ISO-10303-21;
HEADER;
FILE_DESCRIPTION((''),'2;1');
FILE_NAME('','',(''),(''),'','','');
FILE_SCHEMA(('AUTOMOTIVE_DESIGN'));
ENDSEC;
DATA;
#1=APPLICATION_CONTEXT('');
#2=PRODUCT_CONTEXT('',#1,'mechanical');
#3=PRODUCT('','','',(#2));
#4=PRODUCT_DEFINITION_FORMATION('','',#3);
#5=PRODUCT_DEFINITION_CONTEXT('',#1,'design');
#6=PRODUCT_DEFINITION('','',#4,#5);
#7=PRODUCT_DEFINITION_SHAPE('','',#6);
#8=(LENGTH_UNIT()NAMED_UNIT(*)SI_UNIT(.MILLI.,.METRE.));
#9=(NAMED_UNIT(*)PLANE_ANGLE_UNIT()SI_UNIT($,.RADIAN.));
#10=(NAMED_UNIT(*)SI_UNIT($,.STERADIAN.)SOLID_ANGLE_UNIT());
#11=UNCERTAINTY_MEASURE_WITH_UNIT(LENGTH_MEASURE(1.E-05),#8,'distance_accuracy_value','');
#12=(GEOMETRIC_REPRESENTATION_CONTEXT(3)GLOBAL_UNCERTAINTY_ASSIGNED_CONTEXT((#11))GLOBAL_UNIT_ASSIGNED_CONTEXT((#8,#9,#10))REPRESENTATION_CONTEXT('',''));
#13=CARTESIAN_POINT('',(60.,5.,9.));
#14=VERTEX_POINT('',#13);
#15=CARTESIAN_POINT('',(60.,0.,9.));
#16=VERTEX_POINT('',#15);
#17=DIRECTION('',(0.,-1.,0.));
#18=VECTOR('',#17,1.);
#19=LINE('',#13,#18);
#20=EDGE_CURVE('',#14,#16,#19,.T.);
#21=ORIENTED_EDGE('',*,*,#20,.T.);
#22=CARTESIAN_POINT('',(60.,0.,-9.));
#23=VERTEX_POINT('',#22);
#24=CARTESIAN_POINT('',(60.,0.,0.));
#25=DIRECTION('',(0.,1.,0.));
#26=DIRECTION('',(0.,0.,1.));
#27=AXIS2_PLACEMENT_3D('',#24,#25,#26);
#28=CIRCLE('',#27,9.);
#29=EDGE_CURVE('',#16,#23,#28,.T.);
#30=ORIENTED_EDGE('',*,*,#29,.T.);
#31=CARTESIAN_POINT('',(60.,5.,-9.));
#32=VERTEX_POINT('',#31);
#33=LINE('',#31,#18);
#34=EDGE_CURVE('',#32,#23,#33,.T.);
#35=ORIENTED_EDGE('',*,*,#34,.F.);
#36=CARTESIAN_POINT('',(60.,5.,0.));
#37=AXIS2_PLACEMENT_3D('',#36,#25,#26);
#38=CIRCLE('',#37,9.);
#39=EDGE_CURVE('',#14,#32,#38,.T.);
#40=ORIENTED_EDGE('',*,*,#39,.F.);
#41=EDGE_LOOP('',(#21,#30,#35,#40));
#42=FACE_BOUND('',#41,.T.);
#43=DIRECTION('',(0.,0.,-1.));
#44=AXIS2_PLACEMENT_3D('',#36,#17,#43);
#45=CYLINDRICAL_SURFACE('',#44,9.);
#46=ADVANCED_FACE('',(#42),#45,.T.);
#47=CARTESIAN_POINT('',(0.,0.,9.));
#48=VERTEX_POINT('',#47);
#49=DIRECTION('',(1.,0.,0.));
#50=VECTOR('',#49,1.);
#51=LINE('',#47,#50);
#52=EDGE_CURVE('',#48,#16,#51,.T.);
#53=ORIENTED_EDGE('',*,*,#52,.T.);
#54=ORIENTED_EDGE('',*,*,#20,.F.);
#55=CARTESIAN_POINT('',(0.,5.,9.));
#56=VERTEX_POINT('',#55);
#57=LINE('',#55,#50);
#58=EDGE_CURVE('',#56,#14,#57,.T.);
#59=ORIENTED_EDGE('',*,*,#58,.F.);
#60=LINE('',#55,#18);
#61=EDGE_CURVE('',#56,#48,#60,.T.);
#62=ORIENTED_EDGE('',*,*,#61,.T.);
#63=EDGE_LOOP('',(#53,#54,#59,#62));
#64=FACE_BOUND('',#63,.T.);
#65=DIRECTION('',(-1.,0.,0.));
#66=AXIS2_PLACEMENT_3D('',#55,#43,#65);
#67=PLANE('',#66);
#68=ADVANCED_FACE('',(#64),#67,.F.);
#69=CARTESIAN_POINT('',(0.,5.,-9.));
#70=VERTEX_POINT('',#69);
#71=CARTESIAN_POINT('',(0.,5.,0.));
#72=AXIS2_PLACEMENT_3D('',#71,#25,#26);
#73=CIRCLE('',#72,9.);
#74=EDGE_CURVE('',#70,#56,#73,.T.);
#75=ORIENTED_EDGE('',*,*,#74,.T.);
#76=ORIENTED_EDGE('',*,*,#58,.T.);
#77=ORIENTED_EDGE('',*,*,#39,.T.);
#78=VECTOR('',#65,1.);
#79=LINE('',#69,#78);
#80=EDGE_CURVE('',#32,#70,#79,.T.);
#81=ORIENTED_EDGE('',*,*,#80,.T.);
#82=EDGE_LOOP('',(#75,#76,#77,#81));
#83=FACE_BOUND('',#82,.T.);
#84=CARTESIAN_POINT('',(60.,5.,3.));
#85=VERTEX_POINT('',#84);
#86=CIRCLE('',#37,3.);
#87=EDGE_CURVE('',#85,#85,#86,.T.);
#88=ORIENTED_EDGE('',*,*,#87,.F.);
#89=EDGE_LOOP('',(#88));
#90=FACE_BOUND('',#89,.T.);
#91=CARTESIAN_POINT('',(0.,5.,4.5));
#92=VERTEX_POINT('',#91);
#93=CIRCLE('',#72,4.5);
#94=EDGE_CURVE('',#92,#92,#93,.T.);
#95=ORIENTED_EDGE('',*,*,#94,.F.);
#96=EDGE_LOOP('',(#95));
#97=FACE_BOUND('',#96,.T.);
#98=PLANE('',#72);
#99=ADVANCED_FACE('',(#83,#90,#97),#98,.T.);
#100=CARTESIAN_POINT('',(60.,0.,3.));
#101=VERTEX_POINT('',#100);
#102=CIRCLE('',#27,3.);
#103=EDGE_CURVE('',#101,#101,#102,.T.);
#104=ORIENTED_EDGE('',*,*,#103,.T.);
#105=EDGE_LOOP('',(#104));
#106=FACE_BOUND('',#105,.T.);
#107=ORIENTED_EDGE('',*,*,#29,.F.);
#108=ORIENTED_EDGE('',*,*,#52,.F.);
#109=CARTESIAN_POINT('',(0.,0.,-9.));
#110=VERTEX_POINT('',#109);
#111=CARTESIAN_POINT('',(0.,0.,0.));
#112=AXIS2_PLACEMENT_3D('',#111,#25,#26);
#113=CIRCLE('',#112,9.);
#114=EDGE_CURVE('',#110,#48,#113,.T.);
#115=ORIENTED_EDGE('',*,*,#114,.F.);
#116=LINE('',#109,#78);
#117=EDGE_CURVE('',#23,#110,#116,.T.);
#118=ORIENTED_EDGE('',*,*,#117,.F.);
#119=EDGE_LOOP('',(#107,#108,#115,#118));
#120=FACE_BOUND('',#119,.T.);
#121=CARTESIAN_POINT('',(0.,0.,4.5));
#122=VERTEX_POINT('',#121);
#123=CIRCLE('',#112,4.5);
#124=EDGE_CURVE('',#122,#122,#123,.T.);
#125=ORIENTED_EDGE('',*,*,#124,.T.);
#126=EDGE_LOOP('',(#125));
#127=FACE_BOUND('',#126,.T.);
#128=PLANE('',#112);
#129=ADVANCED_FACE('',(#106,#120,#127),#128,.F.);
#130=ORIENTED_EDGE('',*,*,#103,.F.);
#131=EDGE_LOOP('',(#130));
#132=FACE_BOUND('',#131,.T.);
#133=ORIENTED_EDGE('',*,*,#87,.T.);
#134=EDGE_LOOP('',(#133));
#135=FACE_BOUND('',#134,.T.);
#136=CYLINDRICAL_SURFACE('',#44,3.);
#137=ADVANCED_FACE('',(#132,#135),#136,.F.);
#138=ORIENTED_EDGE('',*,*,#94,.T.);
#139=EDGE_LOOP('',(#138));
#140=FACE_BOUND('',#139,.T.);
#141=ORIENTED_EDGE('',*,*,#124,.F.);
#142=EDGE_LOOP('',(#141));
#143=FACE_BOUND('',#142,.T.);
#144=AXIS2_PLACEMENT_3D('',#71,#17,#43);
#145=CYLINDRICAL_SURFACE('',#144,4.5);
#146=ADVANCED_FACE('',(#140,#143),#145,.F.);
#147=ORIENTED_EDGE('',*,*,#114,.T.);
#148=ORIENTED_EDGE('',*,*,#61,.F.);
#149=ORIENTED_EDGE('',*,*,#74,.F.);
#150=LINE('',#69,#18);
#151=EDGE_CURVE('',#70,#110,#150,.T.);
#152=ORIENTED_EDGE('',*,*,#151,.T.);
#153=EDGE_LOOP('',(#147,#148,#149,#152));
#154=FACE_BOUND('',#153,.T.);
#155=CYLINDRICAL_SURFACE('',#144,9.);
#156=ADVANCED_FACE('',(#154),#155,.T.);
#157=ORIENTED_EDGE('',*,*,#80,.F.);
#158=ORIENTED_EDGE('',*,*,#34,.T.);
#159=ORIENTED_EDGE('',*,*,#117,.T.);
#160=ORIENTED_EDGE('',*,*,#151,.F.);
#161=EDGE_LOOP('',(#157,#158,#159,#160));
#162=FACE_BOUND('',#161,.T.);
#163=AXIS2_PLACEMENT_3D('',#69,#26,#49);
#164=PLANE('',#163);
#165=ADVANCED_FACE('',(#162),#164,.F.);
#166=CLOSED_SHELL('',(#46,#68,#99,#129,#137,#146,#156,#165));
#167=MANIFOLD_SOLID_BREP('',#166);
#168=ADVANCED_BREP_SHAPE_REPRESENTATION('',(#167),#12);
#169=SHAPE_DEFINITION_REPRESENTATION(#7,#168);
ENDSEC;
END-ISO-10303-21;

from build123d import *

# Parameters (mm, degrees)
SKETCH1_R           = 4.5
SKETCH1_R_2         = 3
BOSS_EXTRUDE1_DEPTH = 5


with BuildPart() as part:
    # Sketch1 → Boss-Extrude1 (new body)
    with BuildSketch(Plane(origin=(0, 0, 0), x_dir=(1, 0, 0), z_dir=(0, 1, 0))):
        with BuildLine():
            Line((0, 9), (60, 9))
            ThreePointArc((60, 9), (69, 0), (60, -9))
            Line((60, -9), (0, -9))
            ThreePointArc((0, -9), (-9, 0), (0, 9))
        make_face()
        with Locations(Location((0, 0, 0), (0, 0, 270))):
            Circle(SKETCH1_R, mode=Mode.SUBTRACT)
        with Locations(Location((60, 0, 0), (0, 0, 270))):
            Circle(SKETCH1_R_2, mode=Mode.SUBTRACT)
    extrude(amount=BOSS_EXTRUDE1_DEPTH)


solid = part.part
